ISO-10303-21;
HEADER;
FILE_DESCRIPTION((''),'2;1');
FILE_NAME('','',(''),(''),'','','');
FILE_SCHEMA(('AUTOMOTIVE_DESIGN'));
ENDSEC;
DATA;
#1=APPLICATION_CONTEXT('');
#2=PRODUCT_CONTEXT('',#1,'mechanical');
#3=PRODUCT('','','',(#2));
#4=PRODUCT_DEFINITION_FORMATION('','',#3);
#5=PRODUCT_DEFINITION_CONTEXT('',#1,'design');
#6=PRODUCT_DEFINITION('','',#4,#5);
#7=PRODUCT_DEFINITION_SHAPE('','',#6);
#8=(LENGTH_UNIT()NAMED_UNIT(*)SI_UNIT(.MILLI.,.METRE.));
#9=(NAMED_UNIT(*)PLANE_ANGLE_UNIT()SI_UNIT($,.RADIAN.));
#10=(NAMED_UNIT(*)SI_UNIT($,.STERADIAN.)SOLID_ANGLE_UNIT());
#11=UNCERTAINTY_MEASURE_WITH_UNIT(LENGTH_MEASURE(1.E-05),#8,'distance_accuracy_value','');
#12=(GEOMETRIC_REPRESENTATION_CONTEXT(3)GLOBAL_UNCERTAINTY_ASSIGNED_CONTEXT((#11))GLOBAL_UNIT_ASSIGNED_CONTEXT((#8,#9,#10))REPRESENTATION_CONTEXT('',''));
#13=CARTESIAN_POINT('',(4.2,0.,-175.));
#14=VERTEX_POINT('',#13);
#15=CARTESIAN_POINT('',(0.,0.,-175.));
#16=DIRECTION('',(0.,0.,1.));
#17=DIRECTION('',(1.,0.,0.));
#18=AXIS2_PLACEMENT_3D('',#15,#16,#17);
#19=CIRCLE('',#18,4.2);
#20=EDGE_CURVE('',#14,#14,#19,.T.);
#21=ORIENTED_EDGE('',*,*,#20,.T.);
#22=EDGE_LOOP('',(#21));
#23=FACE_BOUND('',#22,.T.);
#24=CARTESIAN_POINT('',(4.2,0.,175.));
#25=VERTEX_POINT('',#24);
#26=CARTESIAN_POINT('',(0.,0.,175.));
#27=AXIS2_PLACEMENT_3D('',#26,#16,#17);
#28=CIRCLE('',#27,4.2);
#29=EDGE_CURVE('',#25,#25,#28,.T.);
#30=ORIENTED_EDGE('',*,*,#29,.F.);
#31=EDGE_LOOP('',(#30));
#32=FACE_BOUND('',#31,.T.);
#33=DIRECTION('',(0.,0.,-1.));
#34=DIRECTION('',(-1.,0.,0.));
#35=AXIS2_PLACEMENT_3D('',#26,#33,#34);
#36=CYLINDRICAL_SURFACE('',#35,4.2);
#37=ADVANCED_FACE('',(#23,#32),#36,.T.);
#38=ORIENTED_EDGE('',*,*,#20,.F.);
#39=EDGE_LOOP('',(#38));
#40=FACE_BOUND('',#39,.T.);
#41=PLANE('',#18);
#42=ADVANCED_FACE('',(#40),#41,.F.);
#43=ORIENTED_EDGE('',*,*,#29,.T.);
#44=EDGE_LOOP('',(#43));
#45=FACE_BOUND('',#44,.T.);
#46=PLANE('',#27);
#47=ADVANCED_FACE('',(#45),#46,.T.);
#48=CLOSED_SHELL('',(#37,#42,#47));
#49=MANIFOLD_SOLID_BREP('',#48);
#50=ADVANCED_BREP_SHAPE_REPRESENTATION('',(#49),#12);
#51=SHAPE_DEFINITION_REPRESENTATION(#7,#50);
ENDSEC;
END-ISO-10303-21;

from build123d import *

# Parameters (mm, degrees)
SKETCH1_R           = 4.2
BOSS_EXTRUDE1_DEPTH = 175


with BuildPart() as part:
    # Sketch1 → Boss-Extrude1 (new, symmetric)
    with BuildSketch(Plane.XY):
        Circle(SKETCH1_R)
    extrude(amount=BOSS_EXTRUDE1_DEPTH, both=True)


solid = part.part
